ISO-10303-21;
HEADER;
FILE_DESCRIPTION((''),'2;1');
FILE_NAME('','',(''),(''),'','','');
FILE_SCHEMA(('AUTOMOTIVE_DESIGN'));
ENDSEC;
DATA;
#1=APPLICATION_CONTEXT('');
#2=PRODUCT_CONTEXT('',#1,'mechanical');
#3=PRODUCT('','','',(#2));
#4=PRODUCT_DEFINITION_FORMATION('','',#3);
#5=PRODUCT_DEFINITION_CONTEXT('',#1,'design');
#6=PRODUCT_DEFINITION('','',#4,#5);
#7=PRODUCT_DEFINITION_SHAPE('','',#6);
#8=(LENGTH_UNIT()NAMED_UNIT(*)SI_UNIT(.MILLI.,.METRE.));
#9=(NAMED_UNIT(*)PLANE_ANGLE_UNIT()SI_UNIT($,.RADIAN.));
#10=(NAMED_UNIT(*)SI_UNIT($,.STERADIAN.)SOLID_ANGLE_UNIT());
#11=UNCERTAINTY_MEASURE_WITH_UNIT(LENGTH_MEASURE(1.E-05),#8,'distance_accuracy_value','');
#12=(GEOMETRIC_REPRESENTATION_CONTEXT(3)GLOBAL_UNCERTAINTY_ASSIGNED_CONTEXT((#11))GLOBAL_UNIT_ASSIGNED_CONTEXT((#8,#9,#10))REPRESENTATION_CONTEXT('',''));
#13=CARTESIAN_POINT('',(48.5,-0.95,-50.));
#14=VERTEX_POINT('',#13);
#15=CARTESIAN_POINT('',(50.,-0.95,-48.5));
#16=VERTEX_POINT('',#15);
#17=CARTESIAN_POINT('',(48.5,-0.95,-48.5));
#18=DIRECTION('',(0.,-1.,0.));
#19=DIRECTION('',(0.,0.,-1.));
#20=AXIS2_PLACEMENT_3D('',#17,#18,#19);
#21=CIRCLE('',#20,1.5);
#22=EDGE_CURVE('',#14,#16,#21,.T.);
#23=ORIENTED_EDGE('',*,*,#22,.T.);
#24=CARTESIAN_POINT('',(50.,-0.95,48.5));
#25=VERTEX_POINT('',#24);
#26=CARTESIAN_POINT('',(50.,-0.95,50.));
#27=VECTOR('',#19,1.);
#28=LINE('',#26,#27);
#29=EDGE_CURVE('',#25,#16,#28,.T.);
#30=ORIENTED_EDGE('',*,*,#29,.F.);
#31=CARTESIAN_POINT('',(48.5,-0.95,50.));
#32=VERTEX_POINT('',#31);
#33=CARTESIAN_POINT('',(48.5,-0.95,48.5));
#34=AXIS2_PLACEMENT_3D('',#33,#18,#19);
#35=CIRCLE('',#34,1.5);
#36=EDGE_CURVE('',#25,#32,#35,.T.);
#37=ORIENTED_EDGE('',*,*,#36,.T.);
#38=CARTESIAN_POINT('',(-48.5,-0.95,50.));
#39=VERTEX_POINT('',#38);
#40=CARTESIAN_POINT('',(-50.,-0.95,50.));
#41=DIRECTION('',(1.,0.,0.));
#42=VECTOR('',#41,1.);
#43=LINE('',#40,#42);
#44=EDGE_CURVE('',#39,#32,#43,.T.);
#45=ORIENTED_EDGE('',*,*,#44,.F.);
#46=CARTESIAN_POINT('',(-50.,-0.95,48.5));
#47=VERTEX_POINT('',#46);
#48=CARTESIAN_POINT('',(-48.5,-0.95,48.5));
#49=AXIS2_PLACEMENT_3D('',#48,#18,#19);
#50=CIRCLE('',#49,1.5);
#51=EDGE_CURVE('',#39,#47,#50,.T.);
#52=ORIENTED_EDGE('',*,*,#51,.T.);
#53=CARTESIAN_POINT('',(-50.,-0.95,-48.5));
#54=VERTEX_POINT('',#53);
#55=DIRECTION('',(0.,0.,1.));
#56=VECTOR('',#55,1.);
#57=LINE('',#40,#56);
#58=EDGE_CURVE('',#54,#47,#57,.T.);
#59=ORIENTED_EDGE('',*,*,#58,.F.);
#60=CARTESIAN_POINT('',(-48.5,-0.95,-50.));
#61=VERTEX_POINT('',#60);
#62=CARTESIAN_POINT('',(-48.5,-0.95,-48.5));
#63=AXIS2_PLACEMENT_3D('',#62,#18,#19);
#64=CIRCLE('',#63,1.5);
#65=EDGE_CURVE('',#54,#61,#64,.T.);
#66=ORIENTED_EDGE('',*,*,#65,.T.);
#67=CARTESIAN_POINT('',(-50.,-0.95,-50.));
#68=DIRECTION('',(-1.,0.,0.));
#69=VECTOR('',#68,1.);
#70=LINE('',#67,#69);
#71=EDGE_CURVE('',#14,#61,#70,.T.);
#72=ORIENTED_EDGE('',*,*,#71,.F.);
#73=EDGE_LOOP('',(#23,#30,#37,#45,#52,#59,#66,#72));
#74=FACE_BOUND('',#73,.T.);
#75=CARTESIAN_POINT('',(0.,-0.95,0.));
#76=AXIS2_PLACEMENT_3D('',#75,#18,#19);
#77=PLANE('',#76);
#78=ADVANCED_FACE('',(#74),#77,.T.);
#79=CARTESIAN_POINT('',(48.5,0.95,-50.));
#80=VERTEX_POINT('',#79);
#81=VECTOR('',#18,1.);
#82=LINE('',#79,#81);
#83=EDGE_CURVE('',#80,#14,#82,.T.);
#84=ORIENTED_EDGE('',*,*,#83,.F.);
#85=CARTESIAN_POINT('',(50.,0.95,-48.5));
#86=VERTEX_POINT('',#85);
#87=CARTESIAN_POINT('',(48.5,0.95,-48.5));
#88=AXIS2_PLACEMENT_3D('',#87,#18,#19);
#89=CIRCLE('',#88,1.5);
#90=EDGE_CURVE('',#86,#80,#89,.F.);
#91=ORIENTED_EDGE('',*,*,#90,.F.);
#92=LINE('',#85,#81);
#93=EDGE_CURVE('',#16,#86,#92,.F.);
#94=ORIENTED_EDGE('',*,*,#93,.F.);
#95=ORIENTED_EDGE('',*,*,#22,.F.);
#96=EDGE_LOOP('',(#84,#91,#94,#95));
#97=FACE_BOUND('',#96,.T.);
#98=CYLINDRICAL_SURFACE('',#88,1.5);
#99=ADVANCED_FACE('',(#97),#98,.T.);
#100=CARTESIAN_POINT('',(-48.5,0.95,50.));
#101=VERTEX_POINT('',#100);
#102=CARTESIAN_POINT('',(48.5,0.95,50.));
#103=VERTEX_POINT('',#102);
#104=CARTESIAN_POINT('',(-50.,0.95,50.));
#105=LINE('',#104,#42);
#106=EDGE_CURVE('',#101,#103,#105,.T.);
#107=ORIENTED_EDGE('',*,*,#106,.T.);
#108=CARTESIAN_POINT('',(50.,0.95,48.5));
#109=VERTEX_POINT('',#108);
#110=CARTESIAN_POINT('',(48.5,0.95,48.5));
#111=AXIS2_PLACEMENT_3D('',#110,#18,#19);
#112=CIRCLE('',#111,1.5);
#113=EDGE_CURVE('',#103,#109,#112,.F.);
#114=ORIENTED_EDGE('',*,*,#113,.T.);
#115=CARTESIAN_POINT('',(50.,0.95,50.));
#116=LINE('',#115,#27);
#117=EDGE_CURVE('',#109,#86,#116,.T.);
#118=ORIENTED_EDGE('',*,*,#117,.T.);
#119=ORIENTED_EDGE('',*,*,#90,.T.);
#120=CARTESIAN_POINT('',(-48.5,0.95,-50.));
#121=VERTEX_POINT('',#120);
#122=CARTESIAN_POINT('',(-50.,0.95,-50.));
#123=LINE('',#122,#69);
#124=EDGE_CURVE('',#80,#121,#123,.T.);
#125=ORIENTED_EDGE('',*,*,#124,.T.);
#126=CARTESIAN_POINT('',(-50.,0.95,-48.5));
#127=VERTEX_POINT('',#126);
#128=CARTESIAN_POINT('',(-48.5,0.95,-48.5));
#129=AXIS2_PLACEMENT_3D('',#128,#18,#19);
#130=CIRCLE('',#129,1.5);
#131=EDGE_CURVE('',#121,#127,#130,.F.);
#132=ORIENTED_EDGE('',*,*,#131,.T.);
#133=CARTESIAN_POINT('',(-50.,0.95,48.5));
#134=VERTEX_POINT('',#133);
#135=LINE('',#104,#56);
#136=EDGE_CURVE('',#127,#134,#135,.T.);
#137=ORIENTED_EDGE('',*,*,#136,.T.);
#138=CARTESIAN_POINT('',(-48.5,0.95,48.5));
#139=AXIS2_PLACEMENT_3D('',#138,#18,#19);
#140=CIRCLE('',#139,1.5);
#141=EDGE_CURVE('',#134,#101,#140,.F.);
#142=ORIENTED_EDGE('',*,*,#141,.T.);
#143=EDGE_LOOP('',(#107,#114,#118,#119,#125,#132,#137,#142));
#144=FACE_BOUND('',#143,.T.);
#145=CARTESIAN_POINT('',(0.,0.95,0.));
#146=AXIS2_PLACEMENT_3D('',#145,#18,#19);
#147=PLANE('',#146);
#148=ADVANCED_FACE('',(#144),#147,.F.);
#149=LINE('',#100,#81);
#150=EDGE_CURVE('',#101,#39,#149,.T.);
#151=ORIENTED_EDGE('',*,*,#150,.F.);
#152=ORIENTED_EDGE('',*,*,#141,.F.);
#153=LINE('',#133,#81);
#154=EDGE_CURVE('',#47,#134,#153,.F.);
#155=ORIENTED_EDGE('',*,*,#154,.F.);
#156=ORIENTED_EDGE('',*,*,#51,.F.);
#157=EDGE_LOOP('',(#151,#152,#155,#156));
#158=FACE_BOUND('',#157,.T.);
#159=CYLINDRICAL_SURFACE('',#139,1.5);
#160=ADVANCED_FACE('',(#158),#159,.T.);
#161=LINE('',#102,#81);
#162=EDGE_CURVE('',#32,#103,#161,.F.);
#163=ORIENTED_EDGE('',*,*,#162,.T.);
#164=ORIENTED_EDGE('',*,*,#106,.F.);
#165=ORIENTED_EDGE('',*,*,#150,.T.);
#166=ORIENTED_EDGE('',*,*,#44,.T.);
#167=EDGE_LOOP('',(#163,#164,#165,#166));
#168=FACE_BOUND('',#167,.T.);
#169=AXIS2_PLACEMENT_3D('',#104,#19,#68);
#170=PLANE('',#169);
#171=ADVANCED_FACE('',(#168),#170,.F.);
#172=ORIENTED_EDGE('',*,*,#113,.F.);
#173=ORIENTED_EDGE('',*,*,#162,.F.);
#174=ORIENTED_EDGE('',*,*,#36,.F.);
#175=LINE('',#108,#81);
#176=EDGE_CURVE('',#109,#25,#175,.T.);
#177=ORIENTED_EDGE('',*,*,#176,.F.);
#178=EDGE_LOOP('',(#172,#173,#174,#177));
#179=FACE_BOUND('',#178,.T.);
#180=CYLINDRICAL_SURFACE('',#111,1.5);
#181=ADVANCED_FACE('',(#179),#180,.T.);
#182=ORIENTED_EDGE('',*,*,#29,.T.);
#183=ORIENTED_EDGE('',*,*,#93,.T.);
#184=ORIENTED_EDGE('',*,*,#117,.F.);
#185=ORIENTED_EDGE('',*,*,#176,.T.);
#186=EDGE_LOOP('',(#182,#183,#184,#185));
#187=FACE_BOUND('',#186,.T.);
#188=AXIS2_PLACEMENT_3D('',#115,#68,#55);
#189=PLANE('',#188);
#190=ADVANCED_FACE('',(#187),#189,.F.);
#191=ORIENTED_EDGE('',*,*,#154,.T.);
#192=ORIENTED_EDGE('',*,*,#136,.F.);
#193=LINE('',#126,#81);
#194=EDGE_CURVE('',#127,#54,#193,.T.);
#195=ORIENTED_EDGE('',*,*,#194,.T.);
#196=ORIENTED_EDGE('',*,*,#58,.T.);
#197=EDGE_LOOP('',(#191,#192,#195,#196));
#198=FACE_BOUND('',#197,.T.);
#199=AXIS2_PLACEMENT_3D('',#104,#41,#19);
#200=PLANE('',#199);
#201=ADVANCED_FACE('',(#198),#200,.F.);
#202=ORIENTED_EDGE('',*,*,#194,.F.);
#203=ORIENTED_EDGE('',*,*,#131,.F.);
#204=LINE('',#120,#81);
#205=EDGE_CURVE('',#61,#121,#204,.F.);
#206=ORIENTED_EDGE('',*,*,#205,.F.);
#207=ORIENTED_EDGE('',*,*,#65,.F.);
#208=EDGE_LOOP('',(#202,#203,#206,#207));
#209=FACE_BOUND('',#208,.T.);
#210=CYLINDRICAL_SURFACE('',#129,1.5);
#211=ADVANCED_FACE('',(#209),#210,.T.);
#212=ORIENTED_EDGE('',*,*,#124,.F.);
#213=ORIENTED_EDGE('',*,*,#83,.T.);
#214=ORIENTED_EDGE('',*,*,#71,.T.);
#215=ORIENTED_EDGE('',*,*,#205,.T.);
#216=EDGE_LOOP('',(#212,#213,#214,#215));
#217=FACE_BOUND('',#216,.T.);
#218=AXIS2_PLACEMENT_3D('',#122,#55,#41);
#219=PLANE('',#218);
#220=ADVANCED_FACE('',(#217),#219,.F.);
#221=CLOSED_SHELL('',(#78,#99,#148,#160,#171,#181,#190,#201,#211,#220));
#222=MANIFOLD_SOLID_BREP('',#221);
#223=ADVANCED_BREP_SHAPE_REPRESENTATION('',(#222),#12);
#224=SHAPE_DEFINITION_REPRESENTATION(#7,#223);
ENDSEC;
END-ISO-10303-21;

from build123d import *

# Parameters (mm, degrees)
SKETCH1_W           = 100
SKETCH1_H           = 100
BOSS_EXTRUDE1_DEPTH = 0.95
FILLET1_R           = 1.5


with BuildPart() as part:
    # Sketch1 → Boss-Extrude1 (new, symmetric)
    with BuildSketch(Plane(origin=(0, 0, 0), x_dir=(1, 0, 0), z_dir=(0, 1, 0))):
        Rectangle(SKETCH1_W, SKETCH1_H)
    extrude(amount=BOSS_EXTRUDE1_DEPTH, both=True)

    # Fillet1
    fillet1_edges = [part.edges().sort_by_distance(p)[0] for p in [
        (50, 0, 50),
        (-50, 0, 50),
        (-50, 0, -50),
        (50, 0, -50),
    ]]
    fillet(fillet1_edges, radius=FILLET1_R)


solid = part.part
